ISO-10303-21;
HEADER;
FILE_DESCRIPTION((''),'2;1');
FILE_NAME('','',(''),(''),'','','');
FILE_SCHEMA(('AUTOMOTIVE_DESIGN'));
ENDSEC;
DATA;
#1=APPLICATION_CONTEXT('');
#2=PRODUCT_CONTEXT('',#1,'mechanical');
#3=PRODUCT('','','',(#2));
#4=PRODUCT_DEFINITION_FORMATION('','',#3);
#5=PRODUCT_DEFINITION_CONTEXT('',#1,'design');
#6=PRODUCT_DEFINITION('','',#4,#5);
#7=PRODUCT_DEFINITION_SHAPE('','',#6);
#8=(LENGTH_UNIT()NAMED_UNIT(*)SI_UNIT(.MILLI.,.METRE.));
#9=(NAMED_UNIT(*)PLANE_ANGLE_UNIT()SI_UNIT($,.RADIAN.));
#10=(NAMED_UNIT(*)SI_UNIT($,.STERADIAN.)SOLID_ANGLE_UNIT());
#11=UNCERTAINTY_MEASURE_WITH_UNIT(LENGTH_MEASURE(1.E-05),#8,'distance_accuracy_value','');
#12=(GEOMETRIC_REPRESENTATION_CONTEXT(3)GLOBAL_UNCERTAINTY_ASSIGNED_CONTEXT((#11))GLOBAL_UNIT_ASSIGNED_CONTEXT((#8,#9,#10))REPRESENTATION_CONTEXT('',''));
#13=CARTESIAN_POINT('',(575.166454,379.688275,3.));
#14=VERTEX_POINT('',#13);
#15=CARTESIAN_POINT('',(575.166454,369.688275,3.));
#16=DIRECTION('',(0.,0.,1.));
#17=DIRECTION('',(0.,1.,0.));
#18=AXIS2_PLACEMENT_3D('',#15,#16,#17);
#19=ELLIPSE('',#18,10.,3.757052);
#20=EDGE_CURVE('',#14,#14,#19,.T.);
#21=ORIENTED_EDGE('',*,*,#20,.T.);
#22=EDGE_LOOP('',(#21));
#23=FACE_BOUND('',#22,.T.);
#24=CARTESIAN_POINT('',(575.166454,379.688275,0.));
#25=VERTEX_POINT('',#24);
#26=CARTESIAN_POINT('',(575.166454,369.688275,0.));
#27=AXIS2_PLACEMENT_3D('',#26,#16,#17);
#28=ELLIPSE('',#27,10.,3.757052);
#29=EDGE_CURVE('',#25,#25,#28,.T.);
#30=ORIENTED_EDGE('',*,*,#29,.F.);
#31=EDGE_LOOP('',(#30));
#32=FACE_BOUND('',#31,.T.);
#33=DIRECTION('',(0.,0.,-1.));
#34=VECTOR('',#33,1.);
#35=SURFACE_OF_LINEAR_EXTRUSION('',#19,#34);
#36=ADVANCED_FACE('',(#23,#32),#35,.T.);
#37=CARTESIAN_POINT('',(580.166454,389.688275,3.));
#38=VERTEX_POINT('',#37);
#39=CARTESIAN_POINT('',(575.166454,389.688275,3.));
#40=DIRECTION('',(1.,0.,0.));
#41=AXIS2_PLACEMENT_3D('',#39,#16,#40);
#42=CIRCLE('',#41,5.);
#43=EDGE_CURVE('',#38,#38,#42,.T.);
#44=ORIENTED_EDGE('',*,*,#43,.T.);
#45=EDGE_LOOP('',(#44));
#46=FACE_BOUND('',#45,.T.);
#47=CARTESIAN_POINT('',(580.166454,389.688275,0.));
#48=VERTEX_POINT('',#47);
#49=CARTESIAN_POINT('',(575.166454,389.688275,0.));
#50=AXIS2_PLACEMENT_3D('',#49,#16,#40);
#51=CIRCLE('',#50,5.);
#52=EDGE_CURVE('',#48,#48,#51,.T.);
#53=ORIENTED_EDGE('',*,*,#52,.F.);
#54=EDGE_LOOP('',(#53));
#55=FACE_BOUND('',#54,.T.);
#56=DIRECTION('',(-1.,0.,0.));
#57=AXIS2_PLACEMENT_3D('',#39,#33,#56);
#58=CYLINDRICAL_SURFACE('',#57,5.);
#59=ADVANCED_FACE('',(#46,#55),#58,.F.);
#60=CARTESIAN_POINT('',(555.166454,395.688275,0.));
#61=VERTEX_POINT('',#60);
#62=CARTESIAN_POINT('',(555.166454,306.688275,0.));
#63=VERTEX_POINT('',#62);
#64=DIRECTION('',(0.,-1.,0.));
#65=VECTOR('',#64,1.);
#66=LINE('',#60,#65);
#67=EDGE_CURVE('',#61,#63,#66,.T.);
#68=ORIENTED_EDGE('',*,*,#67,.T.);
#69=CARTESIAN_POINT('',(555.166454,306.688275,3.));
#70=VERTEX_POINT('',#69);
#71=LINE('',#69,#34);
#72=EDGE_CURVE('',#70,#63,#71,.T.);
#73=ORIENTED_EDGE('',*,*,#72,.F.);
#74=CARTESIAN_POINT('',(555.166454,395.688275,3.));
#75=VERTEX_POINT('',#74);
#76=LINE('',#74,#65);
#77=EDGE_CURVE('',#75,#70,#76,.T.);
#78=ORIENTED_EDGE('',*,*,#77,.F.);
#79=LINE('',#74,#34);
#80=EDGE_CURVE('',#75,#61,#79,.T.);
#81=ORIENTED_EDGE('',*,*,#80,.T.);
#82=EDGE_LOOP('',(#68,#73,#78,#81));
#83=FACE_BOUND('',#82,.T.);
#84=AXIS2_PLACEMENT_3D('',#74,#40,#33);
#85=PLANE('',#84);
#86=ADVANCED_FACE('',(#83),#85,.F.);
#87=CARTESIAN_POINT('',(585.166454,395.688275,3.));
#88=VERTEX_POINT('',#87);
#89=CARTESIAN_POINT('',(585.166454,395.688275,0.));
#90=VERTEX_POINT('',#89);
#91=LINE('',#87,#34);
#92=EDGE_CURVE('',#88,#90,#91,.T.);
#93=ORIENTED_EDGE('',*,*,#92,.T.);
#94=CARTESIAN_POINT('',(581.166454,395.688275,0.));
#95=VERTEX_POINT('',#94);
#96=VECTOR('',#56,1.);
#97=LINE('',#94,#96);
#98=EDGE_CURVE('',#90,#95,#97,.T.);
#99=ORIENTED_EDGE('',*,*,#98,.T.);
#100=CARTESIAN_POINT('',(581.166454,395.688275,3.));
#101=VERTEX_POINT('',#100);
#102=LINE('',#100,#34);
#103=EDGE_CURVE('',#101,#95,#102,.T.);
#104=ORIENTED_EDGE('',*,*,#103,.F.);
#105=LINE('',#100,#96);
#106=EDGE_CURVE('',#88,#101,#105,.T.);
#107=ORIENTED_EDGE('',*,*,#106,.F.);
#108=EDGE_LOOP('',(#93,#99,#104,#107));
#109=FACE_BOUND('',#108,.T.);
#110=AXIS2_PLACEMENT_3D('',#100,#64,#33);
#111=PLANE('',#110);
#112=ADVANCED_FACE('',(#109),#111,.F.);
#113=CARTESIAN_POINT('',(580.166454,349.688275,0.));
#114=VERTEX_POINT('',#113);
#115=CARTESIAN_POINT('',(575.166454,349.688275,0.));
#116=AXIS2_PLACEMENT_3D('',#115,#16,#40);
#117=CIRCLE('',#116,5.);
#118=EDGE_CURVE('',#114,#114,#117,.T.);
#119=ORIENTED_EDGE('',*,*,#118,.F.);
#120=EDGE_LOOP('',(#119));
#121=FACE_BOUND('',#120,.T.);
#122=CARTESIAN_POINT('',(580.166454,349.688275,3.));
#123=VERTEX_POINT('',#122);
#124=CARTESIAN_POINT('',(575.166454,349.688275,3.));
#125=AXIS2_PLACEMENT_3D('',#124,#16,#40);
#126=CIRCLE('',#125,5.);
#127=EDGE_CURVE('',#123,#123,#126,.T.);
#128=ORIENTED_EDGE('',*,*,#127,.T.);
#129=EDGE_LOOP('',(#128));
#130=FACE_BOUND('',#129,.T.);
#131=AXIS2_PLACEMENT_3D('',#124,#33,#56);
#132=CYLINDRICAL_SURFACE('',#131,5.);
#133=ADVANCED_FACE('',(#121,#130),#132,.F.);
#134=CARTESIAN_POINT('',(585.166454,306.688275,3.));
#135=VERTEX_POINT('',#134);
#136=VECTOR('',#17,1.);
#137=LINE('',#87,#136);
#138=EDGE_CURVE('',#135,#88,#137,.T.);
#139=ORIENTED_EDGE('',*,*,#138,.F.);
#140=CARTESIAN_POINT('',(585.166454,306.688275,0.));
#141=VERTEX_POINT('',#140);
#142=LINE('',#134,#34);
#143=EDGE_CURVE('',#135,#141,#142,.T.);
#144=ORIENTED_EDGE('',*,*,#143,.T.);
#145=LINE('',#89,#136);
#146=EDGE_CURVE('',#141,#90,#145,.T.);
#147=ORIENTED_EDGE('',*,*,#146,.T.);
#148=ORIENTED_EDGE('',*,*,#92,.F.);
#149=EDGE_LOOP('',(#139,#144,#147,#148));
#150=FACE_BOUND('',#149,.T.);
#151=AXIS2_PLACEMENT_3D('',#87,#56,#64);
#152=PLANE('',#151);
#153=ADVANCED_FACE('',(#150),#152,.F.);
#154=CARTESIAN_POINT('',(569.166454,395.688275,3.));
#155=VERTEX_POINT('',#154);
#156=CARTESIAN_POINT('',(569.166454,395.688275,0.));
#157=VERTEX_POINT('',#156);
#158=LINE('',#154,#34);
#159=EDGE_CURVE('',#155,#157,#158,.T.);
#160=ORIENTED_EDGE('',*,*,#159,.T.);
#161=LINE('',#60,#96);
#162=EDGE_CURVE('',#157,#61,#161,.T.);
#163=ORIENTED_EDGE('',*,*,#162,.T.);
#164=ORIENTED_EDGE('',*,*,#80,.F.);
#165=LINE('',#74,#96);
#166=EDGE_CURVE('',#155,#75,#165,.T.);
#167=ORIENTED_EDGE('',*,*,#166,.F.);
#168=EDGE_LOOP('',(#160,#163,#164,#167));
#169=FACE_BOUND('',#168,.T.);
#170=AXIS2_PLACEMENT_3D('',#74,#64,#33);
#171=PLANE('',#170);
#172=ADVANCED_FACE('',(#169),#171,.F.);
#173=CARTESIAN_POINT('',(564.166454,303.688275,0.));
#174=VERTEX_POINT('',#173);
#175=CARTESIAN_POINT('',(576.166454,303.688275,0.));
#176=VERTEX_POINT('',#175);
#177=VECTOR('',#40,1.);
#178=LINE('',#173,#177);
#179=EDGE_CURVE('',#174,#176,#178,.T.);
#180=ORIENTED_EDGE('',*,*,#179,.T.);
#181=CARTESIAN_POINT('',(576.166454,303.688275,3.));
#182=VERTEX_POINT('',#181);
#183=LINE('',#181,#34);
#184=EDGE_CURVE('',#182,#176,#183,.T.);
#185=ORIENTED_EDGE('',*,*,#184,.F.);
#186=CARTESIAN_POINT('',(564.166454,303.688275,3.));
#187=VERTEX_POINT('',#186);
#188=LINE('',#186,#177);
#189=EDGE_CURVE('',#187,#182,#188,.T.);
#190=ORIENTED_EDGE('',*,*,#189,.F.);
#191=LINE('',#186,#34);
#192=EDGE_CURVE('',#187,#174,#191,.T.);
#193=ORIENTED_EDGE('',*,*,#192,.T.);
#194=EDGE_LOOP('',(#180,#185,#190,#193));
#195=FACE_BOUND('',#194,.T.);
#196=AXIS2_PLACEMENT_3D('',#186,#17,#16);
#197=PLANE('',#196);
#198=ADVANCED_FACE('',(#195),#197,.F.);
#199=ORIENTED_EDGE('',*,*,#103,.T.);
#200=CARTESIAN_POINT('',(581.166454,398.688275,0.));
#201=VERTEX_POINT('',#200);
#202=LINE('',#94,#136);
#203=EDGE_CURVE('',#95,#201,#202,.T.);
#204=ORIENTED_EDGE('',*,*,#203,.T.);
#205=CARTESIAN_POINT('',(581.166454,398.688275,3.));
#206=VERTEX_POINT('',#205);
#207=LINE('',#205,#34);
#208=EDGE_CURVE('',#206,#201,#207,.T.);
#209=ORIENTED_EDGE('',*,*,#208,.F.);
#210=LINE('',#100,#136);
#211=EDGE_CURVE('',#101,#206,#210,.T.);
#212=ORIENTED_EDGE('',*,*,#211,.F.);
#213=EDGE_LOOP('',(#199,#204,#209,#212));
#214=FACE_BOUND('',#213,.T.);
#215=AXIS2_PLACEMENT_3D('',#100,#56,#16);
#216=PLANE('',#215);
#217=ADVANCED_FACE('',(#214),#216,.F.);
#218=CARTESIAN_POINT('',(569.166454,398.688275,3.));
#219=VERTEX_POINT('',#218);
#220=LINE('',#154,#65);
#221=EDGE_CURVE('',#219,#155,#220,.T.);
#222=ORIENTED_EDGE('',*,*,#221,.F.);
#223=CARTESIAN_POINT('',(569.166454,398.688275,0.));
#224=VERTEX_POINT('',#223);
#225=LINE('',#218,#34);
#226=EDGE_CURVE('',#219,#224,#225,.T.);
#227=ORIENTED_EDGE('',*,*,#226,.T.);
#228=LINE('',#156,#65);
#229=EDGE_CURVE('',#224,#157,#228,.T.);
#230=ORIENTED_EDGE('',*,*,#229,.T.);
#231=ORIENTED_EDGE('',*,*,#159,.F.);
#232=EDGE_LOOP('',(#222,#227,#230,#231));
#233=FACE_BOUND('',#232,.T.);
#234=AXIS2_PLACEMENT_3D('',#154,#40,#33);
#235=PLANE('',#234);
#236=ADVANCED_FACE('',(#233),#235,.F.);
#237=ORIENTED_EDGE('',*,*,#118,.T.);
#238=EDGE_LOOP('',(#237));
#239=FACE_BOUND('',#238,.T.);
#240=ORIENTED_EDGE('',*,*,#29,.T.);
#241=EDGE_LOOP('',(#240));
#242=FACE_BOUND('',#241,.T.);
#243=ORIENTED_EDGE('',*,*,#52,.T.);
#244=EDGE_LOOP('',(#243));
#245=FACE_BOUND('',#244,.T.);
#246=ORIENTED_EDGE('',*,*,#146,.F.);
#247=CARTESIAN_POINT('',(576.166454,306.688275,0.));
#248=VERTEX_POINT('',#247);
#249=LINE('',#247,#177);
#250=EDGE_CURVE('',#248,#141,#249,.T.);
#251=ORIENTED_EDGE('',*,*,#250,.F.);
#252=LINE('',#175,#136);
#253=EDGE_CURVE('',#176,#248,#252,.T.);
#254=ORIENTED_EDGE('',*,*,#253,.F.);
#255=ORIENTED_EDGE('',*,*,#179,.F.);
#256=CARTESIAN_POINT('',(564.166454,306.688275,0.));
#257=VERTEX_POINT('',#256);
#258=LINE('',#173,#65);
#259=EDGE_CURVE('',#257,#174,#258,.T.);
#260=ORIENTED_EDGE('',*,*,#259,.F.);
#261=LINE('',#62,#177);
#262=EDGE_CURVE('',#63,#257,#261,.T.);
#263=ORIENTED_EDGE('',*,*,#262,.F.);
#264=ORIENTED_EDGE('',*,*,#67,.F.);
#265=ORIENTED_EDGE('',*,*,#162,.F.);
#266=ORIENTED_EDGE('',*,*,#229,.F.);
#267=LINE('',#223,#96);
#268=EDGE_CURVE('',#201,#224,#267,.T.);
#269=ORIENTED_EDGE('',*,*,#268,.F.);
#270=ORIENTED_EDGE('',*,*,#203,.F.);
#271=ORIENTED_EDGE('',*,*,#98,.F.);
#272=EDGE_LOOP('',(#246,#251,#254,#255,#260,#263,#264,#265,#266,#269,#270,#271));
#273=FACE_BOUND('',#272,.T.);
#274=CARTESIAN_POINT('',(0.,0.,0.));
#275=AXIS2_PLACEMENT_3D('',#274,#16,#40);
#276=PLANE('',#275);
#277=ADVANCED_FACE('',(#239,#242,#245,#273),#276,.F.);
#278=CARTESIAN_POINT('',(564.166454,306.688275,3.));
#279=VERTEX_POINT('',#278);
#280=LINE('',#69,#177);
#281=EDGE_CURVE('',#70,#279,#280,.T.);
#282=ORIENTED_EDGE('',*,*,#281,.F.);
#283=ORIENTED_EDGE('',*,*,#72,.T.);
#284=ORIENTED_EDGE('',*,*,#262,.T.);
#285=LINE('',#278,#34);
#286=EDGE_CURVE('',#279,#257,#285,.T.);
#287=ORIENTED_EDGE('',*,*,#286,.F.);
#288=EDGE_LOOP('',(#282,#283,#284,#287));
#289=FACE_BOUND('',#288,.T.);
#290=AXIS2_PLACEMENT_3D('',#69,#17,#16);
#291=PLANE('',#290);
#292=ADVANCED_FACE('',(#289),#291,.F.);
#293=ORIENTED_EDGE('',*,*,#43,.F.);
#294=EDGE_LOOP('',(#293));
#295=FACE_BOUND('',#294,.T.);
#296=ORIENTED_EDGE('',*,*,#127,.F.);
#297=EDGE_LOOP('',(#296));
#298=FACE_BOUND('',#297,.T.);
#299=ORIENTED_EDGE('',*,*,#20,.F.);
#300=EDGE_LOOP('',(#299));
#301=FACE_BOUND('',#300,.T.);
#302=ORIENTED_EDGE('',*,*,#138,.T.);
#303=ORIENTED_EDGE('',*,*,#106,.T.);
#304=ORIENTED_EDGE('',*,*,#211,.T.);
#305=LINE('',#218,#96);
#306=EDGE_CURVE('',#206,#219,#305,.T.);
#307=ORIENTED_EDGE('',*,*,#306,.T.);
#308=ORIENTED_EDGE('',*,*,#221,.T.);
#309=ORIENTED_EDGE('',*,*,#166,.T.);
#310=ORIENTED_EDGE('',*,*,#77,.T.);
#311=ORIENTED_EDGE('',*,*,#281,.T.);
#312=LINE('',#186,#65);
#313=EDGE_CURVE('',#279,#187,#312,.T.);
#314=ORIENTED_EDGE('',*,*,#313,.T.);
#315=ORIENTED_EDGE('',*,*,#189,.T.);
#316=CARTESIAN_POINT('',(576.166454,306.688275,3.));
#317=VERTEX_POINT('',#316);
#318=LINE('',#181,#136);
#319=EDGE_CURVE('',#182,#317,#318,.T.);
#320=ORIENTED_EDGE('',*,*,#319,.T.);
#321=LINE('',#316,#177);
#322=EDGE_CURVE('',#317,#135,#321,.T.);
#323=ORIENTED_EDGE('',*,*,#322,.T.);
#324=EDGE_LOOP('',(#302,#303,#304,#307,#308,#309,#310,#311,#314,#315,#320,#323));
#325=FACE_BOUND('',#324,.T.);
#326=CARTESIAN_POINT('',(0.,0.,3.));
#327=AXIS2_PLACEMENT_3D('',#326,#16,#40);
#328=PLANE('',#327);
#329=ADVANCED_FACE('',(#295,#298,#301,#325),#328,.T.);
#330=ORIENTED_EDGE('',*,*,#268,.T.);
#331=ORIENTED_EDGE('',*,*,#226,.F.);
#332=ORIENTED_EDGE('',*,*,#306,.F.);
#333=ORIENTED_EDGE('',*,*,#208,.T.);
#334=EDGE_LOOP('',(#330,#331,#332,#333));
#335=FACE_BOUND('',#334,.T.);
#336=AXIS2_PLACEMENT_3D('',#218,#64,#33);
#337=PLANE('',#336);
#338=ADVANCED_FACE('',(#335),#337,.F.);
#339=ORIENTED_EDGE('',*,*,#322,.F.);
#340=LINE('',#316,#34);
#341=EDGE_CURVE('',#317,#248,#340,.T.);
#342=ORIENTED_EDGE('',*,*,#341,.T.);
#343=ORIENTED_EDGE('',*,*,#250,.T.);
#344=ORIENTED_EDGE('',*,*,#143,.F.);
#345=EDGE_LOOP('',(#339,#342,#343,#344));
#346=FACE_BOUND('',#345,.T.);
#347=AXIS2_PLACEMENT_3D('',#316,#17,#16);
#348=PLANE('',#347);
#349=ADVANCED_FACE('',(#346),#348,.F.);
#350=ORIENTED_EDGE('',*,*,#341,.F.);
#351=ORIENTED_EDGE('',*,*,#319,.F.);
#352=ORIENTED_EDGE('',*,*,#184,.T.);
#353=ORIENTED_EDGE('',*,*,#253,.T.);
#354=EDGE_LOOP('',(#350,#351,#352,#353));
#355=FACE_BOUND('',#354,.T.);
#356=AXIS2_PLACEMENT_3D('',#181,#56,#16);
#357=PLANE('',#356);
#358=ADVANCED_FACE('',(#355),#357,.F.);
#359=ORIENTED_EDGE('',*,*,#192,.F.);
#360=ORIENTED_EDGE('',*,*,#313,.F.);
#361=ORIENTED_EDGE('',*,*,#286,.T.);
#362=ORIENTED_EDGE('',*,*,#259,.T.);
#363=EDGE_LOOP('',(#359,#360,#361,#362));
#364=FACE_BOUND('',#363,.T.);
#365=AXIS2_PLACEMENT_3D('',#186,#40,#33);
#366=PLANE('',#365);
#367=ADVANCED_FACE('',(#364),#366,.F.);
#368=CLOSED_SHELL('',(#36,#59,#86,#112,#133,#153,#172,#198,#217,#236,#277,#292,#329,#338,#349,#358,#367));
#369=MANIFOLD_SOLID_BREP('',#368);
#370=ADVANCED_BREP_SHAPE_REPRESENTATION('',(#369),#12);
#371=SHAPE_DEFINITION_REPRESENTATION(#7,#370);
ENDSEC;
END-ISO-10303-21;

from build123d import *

# Parameters (mm, degrees)
SKETCH_1_R      = 5
SKETCH_1_RX     = 10
SKETCH_1_RY     = 3.757052079
EXTRUDE_1_DEPTH = 3


with BuildPart() as part:
    # 草图1 → 凸台-拉伸1 (new body)
    with BuildSketch(Plane.XY):
        Polygon((555.166453787, 395.688275275), (555.166453787, 306.688275275), (564.166453787, 306.688275275), (564.166453787, 303.688275275), (576.166453787, 303.688275275), (576.166453787, 306.688275275), (585.166453787, 306.688275275), (585.166453787, 395.688275275), (581.166453787, 395.688275275), (581.166453787, 398.688275275), (569.166453787, 398.688275275), (569.166453787, 395.688275275), align=None)
        with Locations((575.166453787, 389.688275275)):
            Circle(SKETCH_1_R, mode=Mode.SUBTRACT)
        with Locations((575.166453787, 349.688275275)):
            Circle(SKETCH_1_R, mode=Mode.SUBTRACT)
        with Locations(Location((575.166453787, 369.688275275), (0, 0, 90))):
            Ellipse(SKETCH_1_RX, SKETCH_1_RY, mode=Mode.SUBTRACT)
    extrude(amount=EXTRUDE_1_DEPTH)


solid = part.part
